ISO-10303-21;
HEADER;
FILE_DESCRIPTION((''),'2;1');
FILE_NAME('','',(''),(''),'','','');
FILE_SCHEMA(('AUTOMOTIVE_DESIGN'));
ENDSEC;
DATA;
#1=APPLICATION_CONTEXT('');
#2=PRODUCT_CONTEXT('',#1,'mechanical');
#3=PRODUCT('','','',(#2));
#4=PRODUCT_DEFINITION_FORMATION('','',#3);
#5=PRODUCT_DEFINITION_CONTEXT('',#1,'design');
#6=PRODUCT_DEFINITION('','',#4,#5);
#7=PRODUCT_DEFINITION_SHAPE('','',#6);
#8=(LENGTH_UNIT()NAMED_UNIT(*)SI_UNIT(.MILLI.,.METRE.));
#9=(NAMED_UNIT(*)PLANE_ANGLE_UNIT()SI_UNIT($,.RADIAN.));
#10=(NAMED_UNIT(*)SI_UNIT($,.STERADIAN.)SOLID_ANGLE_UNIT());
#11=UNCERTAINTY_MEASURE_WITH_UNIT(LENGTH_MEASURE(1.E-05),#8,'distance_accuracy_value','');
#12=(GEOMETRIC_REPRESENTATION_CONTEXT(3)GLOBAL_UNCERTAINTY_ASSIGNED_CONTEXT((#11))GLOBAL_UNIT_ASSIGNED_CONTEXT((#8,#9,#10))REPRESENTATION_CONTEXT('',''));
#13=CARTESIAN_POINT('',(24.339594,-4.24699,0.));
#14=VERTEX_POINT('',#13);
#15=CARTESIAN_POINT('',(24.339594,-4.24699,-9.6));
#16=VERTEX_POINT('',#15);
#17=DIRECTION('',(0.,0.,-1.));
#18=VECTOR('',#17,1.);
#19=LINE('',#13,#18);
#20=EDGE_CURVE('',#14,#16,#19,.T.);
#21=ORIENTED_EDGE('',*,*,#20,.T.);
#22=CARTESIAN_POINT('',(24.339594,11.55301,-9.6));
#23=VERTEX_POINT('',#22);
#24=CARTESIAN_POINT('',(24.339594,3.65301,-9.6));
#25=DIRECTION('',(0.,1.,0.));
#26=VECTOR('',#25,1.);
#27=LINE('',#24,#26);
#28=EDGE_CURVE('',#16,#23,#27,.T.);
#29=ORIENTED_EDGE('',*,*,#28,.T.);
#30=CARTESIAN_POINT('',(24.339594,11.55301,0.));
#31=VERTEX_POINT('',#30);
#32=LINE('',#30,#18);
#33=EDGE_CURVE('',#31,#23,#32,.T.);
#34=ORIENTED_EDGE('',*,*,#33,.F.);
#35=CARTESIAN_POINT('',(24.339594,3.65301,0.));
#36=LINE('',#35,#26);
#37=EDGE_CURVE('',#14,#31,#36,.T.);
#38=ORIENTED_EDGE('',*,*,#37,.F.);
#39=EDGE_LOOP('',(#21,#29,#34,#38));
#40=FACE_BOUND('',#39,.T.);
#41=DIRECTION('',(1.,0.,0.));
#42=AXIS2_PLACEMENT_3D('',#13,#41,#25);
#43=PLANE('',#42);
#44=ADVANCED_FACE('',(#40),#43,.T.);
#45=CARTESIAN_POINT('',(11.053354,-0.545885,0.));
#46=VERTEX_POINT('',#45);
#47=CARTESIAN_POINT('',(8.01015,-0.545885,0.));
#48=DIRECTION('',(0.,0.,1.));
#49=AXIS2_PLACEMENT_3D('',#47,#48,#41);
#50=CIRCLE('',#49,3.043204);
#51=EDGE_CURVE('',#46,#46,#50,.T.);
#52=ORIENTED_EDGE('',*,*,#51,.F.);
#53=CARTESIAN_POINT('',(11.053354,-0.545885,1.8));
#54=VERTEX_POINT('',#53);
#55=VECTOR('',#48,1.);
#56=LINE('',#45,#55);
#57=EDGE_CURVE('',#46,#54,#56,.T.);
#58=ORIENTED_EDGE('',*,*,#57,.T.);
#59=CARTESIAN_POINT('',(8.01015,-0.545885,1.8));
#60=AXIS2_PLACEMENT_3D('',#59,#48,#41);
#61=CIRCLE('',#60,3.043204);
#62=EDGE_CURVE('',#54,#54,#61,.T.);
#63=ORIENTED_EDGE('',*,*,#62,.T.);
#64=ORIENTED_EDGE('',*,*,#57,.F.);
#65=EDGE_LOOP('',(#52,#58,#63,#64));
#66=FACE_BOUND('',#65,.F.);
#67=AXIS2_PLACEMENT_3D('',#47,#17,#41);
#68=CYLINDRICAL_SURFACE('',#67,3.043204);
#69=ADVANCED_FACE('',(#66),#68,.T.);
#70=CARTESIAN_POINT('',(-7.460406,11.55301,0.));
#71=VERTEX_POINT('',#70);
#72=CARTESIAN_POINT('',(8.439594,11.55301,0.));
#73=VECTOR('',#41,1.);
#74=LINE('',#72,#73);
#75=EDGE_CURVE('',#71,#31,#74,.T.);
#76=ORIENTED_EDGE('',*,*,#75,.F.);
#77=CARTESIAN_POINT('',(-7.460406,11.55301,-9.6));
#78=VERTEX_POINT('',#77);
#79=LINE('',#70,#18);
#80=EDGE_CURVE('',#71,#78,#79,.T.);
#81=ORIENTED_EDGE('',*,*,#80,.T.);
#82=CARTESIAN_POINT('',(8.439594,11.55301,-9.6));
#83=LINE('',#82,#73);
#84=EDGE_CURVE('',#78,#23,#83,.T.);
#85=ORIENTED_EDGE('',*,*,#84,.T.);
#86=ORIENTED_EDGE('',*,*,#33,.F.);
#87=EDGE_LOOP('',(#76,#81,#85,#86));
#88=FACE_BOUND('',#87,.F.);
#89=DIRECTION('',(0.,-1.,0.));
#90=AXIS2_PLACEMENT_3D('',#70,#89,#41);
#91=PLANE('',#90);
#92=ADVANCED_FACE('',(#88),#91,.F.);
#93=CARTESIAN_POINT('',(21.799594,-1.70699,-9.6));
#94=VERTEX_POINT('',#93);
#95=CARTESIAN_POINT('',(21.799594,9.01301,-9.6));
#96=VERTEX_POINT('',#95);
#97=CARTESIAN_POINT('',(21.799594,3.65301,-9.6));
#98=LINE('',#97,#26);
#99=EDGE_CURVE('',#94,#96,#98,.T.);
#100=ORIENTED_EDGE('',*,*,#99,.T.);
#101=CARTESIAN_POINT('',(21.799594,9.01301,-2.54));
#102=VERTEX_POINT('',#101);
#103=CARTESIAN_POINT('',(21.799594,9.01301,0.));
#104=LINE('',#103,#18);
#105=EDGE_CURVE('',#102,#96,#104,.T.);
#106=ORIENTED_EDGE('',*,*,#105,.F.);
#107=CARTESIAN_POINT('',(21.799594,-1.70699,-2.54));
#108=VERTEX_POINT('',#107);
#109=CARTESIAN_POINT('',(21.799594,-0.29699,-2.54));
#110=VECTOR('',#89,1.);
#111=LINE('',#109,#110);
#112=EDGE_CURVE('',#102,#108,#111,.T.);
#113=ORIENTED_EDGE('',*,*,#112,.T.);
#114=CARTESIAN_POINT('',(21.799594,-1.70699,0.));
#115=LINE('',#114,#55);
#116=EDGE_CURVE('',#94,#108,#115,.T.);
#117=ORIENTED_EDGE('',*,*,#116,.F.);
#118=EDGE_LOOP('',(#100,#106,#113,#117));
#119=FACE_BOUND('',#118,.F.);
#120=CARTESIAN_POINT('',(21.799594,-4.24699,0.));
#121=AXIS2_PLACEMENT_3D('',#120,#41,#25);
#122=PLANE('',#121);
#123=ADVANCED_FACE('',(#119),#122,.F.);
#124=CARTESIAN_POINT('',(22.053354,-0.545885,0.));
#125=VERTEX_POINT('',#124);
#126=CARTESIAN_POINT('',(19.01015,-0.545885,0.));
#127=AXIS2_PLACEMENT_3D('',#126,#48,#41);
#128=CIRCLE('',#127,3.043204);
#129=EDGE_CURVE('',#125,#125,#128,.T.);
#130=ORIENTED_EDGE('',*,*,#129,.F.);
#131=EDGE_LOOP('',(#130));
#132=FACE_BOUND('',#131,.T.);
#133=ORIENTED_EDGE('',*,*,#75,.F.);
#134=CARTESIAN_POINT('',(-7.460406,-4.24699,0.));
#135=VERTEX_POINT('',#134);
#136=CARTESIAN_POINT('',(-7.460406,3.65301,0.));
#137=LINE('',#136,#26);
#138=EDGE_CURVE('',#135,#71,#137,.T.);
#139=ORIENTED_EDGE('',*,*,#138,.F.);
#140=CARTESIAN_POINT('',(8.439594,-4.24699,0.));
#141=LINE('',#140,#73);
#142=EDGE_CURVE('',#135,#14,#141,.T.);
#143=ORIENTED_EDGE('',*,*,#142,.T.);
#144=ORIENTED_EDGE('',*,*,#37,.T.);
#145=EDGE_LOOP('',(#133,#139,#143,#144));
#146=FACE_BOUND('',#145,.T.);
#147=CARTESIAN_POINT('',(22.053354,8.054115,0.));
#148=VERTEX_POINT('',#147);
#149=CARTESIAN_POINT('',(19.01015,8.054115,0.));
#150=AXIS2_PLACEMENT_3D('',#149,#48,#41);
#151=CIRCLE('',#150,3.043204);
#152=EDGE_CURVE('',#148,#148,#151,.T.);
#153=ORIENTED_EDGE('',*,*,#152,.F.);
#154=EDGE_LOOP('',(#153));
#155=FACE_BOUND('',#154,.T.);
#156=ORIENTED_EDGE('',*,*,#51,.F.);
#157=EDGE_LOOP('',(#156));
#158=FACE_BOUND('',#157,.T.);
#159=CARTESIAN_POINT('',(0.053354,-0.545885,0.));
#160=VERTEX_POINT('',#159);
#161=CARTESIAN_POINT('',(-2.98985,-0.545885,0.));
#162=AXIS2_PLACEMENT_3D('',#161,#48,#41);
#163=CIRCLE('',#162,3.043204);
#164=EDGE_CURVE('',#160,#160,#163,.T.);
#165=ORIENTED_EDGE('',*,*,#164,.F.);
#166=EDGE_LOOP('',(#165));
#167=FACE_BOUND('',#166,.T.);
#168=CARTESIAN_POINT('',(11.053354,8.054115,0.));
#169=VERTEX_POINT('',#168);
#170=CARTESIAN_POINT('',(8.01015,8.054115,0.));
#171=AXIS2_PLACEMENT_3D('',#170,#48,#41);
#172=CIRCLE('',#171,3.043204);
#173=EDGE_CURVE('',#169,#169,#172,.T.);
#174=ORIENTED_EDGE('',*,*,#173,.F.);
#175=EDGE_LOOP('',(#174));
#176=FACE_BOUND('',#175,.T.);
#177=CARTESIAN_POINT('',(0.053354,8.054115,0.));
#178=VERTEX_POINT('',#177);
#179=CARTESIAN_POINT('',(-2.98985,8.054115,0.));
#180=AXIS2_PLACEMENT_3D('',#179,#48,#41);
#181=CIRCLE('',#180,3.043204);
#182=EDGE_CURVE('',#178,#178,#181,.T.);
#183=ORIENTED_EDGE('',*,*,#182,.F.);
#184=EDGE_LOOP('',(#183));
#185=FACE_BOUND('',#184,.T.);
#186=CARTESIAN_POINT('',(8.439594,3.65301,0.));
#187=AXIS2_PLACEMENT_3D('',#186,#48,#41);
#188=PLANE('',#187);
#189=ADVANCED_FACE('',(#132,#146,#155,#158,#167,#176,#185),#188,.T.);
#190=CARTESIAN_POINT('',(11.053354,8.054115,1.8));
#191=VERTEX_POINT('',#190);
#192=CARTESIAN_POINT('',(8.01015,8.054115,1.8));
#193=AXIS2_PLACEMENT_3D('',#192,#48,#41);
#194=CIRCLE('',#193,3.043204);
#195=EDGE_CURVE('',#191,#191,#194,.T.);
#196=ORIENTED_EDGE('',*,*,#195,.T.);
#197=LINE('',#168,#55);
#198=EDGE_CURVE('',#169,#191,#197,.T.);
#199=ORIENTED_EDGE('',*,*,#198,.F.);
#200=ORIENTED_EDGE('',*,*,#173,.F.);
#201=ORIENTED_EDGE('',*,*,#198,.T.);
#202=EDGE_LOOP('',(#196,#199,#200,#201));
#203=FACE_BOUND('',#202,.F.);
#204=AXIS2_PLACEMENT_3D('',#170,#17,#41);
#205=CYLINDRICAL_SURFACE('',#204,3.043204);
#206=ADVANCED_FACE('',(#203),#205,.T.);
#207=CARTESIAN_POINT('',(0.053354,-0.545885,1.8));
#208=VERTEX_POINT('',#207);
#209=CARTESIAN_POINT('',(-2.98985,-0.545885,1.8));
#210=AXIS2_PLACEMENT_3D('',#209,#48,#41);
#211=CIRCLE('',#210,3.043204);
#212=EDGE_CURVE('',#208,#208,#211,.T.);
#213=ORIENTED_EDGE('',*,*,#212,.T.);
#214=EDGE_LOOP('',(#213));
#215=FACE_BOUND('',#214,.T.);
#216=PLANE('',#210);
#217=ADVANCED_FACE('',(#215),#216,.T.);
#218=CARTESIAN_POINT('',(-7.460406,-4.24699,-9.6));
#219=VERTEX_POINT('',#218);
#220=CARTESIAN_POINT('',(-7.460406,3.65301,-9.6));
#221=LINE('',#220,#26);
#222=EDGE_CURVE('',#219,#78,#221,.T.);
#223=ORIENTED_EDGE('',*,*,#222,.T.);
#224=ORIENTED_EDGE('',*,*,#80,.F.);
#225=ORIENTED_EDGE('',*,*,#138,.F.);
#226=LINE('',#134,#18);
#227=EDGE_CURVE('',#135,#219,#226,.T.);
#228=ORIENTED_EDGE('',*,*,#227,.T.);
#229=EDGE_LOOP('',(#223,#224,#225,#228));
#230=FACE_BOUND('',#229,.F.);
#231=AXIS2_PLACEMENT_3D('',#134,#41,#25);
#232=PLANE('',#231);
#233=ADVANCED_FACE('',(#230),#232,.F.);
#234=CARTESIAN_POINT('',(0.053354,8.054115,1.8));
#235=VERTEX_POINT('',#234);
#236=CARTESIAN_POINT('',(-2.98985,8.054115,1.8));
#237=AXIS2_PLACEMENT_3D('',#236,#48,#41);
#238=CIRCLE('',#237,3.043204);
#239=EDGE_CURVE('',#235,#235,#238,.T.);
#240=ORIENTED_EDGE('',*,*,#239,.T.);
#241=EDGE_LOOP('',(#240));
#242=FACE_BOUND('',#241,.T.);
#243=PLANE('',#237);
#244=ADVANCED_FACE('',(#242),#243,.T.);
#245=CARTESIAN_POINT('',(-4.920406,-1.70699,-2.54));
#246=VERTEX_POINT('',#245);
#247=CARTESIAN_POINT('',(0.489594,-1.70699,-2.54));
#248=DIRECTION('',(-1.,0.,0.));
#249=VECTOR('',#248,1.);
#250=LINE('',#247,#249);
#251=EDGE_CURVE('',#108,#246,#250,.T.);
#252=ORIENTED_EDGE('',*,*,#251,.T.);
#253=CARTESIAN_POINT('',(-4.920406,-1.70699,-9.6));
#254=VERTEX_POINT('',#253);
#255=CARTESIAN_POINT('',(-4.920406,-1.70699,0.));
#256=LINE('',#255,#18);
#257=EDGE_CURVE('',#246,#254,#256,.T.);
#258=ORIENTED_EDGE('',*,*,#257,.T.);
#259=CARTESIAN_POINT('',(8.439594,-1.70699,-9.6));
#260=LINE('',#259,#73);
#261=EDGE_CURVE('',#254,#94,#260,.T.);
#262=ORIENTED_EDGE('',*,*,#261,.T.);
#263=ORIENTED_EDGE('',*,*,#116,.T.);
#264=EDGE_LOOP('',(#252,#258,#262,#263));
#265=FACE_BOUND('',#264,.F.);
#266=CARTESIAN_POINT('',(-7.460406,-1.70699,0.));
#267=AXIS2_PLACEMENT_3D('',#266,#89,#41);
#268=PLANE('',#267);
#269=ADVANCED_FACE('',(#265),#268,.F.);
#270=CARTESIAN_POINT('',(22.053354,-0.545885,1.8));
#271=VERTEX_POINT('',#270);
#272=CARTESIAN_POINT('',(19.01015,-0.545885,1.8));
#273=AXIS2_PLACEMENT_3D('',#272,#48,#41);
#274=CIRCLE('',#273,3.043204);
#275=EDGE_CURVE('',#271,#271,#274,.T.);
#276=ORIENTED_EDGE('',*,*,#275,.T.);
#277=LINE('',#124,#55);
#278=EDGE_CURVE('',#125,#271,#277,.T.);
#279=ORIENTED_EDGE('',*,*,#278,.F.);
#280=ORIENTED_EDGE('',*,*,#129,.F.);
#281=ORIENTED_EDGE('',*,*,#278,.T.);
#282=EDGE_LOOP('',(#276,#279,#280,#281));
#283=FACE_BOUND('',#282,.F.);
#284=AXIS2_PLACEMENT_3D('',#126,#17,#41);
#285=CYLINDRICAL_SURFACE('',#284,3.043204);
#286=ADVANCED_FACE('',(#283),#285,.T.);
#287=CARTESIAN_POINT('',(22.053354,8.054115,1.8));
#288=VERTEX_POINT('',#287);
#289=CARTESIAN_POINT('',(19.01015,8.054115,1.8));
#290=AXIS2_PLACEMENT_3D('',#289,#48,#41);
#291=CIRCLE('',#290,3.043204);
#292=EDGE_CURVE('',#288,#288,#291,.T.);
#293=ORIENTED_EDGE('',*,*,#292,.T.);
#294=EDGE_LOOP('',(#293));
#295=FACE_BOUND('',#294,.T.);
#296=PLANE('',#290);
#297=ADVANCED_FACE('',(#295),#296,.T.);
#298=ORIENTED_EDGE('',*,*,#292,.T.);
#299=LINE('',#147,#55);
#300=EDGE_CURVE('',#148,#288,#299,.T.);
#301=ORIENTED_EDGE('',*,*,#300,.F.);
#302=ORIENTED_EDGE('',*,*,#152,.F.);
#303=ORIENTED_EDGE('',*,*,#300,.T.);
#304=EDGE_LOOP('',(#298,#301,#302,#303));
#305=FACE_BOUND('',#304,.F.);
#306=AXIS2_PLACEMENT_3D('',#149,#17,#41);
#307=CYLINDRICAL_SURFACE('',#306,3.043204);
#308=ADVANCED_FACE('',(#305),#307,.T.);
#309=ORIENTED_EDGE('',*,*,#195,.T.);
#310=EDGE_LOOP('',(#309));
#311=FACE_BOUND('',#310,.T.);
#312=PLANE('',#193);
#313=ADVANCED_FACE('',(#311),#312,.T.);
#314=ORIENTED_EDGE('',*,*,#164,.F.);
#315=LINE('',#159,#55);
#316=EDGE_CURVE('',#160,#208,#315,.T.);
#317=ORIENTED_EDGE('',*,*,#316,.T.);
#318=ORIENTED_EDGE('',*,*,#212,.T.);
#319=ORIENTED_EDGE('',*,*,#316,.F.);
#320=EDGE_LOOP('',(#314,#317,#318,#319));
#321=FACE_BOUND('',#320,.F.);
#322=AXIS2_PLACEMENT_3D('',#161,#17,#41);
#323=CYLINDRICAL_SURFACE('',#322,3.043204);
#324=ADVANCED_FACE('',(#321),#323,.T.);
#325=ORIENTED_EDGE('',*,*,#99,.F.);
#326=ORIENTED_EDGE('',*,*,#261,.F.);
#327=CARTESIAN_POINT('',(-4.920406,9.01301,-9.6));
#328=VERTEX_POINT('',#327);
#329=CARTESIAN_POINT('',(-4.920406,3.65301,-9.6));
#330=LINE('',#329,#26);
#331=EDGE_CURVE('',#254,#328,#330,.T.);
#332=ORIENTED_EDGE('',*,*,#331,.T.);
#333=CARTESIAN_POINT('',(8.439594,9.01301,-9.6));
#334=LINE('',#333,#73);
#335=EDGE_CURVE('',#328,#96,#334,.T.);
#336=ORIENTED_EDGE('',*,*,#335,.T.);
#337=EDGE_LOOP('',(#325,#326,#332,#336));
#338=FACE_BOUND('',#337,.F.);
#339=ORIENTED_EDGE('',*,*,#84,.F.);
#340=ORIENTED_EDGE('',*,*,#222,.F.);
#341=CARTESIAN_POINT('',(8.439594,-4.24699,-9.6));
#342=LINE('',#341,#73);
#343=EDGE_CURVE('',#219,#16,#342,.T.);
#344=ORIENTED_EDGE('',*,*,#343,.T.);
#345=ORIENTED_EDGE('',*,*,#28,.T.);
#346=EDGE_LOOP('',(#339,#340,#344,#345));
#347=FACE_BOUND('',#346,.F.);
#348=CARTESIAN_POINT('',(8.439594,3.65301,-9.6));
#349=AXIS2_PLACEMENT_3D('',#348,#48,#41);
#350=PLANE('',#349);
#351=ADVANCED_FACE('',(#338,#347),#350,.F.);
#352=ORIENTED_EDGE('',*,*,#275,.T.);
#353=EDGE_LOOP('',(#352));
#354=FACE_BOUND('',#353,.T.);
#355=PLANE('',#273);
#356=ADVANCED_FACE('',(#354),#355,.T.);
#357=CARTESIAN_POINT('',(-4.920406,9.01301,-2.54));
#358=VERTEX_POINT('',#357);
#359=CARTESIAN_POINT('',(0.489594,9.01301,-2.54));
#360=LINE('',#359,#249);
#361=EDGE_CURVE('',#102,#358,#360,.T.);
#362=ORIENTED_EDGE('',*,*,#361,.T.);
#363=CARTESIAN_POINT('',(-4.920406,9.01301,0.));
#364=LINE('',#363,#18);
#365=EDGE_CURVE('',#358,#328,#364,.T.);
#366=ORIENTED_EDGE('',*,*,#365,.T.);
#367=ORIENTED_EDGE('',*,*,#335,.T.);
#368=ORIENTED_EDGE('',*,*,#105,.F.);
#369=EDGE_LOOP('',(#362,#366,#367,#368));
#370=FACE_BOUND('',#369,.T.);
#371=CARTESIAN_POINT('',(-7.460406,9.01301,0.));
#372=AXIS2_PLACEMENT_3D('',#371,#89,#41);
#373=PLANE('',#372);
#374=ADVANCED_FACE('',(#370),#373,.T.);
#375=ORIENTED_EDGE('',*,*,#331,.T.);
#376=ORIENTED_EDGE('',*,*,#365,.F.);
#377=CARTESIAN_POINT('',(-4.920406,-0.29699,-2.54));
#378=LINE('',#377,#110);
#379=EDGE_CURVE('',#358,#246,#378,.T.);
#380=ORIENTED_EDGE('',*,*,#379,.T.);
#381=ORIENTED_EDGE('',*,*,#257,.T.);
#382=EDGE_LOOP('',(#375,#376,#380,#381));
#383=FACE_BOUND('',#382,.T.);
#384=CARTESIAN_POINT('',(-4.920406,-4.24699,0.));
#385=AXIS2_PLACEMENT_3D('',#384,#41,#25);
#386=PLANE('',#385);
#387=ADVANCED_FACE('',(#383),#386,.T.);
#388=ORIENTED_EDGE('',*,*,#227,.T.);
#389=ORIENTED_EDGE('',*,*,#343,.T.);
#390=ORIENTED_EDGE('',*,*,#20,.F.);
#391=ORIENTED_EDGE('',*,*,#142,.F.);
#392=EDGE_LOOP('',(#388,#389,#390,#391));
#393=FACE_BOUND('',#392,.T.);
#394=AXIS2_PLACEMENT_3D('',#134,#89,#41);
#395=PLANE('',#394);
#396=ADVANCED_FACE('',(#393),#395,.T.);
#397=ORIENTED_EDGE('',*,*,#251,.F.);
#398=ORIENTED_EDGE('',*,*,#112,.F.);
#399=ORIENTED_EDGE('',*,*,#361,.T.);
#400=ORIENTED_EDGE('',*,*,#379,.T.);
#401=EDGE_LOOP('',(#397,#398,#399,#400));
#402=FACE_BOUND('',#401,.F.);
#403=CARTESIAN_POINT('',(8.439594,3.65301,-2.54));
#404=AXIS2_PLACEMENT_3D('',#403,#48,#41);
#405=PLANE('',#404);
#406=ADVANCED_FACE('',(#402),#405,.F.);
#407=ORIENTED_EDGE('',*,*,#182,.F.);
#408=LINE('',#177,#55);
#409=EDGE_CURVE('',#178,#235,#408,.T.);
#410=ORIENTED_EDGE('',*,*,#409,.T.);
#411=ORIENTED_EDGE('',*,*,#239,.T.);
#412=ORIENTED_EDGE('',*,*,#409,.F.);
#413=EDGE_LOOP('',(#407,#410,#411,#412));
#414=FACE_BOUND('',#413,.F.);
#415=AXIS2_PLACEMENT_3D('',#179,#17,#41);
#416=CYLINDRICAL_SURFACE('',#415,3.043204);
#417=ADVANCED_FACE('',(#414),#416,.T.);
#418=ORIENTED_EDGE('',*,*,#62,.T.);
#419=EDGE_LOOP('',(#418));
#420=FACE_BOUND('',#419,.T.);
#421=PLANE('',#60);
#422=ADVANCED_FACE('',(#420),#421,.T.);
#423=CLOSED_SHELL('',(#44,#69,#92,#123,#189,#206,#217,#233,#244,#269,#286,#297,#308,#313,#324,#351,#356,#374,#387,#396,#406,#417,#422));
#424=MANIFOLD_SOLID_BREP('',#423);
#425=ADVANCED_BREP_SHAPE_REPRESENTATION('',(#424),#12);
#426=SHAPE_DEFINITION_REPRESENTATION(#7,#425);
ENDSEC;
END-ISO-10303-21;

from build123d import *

# Parameters (mm, degrees)
F0_W     = 31.8
F0_H     = 15.8
F1_DEPTH = 9.6
F2_T     = -2.54
F3_R     = 3.043204
F4_DEPTH = 1.8


with BuildPart() as f1:
    # F0 (on Top) → F1 (new body)
    with BuildSketch(Plane.XY):
        with Locations((8.439594, 3.65301)):
            Rectangle(F0_W, F0_H)
    extrude(amount=-F1_DEPTH)

    # F2
    f2_openings = [f1.faces().sort_by_distance(p)[0] for p in [
        (8.439594, 3.65301, -9.6),
    ]]
    offset(amount=F2_T, openings=f2_openings)

    # F3 (on face) → F4 (join)
    with BuildSketch(Plane.XY):
        with Locations((19.01015, 8.054115)):
            Circle(F3_R)
        with Locations((19.01015, -0.545885)):
            Circle(F3_R)
        with Locations((8.01015, 8.054115)):
            Circle(F3_R)
        with Locations((8.01015, -0.545885)):
            Circle(F3_R)
        with Locations((-2.98985, 8.054115)):
            Circle(F3_R)
        with Locations((-2.98985, -0.545885)):
            Circle(F3_R)
    extrude(amount=F4_DEPTH)


solid = f1.part
